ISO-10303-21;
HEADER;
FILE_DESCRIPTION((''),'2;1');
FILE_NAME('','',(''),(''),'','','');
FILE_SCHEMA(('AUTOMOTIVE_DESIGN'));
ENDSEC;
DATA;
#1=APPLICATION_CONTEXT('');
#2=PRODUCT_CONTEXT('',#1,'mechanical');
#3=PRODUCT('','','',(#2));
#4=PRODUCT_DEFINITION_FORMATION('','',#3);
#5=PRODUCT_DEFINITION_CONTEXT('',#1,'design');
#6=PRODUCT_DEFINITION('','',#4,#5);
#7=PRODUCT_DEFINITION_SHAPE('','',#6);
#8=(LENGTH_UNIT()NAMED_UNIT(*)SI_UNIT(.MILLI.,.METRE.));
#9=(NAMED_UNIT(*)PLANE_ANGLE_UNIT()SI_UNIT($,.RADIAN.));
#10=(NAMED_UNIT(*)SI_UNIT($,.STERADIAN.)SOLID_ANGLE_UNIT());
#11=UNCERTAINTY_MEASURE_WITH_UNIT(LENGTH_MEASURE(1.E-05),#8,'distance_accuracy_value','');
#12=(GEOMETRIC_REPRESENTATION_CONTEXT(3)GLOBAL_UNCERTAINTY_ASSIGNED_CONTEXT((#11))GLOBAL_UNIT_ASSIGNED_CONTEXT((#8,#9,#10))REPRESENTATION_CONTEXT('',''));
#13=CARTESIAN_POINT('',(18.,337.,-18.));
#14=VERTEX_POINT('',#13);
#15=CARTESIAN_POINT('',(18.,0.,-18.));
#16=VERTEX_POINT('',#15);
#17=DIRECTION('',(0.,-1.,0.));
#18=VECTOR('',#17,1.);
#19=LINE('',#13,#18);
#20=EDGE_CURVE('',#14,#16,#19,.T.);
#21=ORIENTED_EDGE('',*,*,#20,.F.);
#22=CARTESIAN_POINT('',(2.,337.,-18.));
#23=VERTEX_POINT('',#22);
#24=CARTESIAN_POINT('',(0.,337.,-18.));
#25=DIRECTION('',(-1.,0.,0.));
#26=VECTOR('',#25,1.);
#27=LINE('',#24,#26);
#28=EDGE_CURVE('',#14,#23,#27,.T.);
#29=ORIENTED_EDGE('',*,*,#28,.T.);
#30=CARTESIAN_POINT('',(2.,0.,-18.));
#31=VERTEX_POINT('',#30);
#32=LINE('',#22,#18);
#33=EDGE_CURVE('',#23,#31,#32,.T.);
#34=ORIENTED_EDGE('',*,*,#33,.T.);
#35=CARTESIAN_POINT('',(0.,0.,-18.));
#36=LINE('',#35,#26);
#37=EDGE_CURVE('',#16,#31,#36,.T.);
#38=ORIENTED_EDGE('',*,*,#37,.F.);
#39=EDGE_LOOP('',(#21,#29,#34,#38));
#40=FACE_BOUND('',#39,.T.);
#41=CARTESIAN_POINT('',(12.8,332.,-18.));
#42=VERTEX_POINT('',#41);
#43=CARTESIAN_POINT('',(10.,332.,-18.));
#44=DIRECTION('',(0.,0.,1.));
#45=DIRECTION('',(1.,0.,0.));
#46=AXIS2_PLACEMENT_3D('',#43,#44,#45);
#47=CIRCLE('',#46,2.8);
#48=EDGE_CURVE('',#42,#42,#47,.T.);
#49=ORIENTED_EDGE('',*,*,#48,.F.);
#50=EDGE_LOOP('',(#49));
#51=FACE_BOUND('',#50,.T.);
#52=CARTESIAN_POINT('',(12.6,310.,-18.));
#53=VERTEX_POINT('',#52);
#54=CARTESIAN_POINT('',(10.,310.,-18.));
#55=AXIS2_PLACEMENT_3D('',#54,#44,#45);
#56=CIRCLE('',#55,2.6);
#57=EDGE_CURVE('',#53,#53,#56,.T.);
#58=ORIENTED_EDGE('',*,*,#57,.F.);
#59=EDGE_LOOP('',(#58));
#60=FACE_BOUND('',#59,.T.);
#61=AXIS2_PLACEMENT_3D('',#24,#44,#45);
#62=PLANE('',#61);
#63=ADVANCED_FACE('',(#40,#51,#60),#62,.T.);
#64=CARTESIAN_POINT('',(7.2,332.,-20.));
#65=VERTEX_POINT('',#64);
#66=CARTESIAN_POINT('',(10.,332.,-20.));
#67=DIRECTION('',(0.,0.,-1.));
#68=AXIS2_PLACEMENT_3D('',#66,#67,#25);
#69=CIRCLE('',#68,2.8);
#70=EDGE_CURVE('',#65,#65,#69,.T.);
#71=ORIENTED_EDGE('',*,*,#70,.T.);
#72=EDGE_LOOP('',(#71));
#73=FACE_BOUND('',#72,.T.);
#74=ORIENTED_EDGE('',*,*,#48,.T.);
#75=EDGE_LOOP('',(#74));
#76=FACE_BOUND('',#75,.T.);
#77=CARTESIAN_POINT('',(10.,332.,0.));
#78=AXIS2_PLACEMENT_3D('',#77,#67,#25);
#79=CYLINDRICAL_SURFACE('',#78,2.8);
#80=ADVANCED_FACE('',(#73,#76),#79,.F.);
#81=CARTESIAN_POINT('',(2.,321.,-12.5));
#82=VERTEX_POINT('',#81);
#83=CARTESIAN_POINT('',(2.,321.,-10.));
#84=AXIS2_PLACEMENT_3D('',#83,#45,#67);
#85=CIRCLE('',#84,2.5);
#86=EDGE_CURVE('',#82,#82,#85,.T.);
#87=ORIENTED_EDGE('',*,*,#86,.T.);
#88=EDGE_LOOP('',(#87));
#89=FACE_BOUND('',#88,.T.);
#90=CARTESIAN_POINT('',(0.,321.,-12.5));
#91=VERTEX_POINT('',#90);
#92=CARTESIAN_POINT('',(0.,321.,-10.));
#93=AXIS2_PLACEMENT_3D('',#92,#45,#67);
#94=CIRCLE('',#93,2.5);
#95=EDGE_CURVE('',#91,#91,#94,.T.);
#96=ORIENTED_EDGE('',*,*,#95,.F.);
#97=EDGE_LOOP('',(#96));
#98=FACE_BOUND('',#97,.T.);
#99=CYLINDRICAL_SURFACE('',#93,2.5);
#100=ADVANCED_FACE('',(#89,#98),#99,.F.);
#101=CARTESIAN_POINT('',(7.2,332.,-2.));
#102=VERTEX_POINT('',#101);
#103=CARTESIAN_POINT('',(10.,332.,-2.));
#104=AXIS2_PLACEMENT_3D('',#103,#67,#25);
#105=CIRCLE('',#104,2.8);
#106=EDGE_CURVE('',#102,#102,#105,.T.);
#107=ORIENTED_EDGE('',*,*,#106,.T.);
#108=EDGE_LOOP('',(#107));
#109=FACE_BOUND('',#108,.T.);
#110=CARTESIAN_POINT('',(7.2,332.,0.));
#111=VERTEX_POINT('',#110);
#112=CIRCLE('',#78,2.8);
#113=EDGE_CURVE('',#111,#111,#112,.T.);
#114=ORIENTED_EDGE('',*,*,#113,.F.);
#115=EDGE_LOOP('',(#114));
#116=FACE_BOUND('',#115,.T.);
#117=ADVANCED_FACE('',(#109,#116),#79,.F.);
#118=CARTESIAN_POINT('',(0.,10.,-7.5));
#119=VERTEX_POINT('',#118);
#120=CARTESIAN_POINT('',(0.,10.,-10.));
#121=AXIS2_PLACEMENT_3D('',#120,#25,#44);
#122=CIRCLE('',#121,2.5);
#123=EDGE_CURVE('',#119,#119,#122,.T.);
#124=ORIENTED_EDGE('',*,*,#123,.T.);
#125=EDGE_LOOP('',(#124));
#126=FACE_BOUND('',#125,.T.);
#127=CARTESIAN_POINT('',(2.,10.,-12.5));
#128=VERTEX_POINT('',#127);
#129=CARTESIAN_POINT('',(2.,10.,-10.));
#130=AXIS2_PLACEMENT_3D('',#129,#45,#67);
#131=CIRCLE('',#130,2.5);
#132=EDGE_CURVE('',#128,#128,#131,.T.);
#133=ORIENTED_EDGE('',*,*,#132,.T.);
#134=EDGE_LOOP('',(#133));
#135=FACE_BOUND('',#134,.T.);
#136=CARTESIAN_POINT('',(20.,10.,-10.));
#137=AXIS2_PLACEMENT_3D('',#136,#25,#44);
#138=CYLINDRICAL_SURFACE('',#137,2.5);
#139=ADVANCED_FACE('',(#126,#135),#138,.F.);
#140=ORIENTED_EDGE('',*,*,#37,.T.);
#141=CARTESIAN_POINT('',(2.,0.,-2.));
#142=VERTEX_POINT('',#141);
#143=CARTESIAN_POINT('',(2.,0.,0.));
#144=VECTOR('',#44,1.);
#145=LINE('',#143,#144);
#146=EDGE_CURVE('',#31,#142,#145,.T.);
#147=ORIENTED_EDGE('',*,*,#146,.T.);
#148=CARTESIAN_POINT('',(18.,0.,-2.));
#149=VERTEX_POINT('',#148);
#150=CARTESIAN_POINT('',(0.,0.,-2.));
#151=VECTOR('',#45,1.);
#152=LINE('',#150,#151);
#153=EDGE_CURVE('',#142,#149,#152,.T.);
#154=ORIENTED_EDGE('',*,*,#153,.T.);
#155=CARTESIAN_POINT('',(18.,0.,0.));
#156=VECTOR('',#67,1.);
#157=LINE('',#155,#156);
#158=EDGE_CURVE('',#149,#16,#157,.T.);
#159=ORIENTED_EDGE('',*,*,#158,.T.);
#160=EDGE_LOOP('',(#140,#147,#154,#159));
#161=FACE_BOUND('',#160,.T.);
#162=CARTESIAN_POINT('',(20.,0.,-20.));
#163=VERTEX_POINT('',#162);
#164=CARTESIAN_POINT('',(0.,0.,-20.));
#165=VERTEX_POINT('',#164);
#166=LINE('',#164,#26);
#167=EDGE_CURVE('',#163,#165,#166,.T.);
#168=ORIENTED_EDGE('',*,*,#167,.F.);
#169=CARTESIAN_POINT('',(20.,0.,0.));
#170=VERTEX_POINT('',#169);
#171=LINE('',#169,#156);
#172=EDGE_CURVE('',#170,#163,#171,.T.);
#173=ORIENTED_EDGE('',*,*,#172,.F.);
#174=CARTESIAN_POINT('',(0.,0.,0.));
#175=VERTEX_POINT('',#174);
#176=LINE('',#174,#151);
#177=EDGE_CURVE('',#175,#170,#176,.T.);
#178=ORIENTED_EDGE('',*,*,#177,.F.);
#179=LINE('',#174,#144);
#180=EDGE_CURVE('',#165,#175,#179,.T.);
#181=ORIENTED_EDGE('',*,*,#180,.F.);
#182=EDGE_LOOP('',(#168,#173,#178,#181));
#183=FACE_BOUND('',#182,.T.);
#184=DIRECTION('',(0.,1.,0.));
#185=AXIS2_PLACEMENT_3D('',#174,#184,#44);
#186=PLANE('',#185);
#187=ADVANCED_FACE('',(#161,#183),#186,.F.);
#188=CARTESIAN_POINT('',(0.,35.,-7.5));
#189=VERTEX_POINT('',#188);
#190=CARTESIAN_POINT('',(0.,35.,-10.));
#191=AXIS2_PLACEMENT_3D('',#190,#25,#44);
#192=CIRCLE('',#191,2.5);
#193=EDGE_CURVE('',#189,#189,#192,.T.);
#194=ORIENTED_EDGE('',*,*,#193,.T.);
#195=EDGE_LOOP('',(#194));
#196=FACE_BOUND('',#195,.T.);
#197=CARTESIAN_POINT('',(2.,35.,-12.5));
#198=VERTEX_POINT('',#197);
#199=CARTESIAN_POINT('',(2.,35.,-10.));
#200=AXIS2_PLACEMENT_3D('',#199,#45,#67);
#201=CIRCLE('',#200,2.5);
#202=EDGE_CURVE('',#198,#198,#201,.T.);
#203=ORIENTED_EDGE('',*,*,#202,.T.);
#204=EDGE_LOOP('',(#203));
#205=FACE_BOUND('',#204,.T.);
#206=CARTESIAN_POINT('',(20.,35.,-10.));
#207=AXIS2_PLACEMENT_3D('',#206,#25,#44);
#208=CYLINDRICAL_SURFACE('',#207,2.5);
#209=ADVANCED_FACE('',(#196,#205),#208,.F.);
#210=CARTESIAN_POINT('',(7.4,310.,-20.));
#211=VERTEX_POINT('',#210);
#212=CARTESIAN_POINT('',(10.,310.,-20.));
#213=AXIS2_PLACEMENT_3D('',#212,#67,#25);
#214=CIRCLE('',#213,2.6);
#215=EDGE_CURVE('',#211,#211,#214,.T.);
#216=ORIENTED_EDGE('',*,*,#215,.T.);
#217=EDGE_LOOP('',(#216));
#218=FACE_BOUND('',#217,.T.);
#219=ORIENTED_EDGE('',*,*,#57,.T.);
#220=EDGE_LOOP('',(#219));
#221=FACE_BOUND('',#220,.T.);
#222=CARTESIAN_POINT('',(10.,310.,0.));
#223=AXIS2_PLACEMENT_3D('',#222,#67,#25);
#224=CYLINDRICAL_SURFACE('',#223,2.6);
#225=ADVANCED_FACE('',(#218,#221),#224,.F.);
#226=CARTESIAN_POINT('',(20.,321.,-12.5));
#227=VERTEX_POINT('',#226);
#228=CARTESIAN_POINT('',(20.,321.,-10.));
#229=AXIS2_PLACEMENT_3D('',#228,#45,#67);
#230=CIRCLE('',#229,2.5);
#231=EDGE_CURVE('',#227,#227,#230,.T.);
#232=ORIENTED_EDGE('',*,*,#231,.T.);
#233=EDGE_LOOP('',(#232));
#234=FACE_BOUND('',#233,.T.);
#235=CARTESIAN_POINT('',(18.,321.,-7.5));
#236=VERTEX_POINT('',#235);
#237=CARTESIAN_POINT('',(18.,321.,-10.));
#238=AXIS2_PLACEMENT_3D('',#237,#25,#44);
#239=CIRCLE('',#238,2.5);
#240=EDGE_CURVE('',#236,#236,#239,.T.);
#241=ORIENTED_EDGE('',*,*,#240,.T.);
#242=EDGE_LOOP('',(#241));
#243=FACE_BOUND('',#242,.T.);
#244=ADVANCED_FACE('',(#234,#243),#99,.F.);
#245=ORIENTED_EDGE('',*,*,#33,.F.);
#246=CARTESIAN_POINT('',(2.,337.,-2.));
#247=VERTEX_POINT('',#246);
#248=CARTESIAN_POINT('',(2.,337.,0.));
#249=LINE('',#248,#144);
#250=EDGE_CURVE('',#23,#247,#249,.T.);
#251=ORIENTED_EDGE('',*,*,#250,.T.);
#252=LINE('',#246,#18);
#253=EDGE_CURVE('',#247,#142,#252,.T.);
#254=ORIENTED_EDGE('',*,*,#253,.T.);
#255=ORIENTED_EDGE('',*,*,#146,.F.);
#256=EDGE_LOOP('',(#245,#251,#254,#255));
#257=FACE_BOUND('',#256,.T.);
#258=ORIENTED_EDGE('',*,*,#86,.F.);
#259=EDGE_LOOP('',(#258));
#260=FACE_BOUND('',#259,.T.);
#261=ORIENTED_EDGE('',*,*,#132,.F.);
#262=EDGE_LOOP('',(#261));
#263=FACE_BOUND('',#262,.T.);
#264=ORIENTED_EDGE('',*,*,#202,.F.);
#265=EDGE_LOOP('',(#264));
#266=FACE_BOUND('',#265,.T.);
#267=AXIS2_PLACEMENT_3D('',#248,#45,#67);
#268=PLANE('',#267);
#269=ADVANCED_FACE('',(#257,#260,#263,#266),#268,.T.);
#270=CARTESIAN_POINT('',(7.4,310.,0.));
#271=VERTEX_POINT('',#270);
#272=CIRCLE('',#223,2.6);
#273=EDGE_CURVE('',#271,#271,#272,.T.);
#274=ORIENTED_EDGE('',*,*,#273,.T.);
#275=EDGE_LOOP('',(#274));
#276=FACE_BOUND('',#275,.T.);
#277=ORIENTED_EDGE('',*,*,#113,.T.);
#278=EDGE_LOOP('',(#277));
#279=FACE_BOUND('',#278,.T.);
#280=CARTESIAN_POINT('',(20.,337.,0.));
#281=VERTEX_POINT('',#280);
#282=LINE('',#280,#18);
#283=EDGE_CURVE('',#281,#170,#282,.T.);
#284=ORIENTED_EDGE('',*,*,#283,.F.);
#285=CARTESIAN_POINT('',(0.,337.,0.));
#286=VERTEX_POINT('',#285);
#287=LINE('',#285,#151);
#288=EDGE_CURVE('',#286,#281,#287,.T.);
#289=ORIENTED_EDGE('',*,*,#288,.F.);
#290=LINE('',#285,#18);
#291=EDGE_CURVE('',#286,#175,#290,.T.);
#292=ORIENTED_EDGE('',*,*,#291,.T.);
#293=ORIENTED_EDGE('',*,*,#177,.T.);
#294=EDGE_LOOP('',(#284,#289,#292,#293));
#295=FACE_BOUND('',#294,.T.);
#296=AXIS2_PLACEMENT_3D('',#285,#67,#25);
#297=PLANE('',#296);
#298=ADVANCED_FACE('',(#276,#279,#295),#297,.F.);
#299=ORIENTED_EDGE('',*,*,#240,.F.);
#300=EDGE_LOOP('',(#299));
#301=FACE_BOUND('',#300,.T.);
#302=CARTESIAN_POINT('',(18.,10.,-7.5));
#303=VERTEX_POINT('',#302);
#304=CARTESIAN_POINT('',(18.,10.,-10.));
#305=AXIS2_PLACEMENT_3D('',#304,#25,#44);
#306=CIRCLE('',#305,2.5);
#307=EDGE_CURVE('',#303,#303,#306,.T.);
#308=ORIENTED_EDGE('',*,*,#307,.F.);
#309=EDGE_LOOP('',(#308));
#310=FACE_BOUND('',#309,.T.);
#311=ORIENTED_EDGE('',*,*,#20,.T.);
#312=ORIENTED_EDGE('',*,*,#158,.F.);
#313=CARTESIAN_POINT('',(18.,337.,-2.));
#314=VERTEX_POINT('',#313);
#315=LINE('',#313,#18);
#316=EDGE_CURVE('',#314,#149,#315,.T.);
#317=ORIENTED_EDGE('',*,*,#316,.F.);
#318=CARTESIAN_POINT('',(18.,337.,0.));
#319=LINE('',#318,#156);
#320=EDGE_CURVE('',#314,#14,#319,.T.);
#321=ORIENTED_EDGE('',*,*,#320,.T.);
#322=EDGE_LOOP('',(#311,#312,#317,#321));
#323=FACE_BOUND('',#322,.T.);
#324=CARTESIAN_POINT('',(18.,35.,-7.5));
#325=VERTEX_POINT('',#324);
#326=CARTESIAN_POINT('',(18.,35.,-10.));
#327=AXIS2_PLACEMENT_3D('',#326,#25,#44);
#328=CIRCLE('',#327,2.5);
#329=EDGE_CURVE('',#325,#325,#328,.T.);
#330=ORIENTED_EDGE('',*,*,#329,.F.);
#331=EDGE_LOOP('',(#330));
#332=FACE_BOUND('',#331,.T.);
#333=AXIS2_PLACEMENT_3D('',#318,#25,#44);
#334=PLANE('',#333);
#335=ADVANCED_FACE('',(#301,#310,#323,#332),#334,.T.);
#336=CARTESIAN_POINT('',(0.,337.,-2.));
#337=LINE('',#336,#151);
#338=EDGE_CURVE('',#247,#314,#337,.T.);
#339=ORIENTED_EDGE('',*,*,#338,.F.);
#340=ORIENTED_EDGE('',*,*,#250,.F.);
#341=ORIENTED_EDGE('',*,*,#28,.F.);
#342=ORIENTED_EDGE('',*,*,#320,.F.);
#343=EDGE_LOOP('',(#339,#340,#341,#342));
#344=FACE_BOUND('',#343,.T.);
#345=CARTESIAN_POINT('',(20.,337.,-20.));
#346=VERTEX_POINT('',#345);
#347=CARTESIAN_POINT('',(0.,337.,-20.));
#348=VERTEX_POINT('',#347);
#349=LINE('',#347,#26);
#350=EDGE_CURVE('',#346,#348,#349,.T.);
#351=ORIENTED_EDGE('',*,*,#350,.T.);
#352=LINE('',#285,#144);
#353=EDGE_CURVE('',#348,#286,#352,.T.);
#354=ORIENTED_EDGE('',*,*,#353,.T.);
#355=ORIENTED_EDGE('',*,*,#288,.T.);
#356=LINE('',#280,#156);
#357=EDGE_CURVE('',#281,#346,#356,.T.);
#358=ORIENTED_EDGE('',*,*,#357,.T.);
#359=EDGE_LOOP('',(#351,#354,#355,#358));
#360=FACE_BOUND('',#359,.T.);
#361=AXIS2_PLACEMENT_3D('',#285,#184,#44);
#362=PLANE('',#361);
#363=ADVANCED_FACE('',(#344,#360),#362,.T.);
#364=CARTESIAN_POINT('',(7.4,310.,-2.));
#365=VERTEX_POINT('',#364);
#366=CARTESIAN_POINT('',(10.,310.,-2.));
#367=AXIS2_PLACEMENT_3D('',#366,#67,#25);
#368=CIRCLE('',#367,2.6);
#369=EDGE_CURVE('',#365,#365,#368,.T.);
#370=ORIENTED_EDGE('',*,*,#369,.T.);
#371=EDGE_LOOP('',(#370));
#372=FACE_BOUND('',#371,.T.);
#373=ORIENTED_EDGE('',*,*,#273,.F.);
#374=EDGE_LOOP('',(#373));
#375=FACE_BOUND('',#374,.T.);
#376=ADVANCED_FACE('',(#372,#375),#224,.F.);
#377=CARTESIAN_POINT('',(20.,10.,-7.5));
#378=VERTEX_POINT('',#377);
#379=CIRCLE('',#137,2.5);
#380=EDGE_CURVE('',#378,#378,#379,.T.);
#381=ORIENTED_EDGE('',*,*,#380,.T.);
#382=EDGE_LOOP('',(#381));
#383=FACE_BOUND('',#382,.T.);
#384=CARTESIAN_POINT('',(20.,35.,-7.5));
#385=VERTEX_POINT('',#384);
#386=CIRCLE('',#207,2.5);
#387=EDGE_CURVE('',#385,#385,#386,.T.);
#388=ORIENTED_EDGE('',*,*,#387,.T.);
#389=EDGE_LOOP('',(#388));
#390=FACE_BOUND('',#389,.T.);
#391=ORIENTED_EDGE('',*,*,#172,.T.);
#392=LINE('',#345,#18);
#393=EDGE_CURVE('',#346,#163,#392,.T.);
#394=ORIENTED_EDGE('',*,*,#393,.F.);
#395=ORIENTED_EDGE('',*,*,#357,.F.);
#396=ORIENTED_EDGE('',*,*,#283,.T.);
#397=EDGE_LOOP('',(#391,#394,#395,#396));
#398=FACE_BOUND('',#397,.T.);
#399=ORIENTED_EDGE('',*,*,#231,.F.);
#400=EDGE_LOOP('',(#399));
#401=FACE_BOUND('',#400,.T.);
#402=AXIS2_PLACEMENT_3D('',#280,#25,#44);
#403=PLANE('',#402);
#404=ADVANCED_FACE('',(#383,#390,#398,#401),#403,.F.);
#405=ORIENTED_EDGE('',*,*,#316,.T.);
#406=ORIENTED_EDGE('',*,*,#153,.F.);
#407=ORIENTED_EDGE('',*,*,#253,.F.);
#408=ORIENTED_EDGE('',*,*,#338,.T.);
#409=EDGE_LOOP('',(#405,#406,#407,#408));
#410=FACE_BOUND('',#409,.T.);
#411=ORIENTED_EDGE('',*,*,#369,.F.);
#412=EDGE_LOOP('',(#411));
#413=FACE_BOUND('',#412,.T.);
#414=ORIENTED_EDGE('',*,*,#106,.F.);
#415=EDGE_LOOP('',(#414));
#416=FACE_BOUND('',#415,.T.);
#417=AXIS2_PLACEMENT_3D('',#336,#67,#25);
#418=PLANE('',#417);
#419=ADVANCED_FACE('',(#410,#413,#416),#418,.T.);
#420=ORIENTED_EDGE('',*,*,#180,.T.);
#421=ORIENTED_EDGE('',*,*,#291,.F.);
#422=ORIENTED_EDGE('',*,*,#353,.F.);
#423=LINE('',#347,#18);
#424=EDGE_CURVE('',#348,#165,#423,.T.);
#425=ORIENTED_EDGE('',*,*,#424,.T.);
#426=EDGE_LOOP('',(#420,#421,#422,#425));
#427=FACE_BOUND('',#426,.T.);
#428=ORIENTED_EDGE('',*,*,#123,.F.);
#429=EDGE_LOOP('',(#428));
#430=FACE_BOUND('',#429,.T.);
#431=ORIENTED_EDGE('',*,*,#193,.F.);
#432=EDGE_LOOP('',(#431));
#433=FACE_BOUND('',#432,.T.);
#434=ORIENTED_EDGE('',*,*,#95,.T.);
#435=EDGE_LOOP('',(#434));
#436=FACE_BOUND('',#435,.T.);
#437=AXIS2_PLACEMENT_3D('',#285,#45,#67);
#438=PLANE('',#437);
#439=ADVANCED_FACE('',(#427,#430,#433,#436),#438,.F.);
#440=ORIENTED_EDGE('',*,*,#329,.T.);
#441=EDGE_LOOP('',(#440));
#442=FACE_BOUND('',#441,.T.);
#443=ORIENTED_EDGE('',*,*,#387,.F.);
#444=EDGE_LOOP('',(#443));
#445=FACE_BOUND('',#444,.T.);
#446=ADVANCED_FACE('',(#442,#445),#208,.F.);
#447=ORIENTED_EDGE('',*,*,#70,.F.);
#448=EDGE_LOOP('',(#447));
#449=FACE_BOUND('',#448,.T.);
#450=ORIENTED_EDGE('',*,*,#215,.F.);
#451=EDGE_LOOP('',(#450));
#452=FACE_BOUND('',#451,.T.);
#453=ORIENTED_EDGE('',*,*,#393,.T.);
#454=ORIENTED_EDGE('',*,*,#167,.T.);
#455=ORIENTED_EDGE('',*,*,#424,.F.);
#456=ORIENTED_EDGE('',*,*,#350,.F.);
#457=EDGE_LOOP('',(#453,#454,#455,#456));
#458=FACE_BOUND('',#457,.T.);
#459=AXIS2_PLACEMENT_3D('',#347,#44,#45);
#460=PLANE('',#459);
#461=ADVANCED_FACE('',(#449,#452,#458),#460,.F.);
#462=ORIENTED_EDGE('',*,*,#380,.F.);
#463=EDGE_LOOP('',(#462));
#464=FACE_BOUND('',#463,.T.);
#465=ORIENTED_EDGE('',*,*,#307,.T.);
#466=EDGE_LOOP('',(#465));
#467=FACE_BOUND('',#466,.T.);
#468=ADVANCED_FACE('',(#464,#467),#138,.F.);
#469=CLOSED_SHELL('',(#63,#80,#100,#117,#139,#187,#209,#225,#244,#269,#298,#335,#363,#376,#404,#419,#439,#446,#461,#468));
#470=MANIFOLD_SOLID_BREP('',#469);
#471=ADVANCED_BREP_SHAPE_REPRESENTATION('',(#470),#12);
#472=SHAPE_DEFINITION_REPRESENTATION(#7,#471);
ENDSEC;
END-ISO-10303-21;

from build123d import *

# Parameters (mm, degrees)
ESBO_O1_W             = 20
ESBO_O1_H             = 20
ESBO_O1_W_2           = 16
ESBO_O1_H_2           = 16
EXTRUS_O_FINA1_DEPTH  = 337
ESBO_O2_R             = 2.5
CORTE_EXTRUS_O1_DEPTH = 339.18486069
ESBO_O3_R             = 2.6
ESBO_O3_R_2           = 2.8
CORTE_EXTRUS_O2_DEPTH = 339.18486069
ESBO_O4_R             = 2.5
CORTE_EXTRUS_O3_DEPTH = 339.18486069


with BuildPart() as part:
    # Esboço1 → Extrusão-Fina1 (new body)
    with BuildSketch(Plane(origin=(0, 0, 0), x_dir=(1, 0, 0), z_dir=(0, 1, 0))):
        with Locations((10, 10)):
            Rectangle(ESBO_O1_W, ESBO_O1_H)
        with Locations((10, 10)):
            Rectangle(ESBO_O1_W_2, ESBO_O1_H_2, mode=Mode.SUBTRACT)
    extrude(amount=EXTRUS_O_FINA1_DEPTH)

    # Esboço2 → Corte-extrusão1 (cut, through all)
    with BuildSketch(Plane.ZY):
        with Locations((-10, 35)):
            Circle(ESBO_O2_R)
        with Locations((-10, 10)):
            Circle(ESBO_O2_R)
    extrude(amount=-CORTE_EXTRUS_O1_DEPTH, mode=Mode.SUBTRACT)

    # Esboço3 → Corte-extrusão2 (cut, through all)
    with BuildSketch(Plane(origin=(0, 0, -20), x_dir=(-1, 0, 0), z_dir=(0, 0, -1))):
        with Locations((-10, 310)):
            Circle(ESBO_O3_R)
        with Locations((-10, 332)):
            Circle(ESBO_O3_R_2)
    extrude(amount=-CORTE_EXTRUS_O2_DEPTH, mode=Mode.SUBTRACT)

    # Esboço4 → Corte-extrusão3 (cut, through all)
    with BuildSketch(Plane(origin=(20, 0, 0), x_dir=(0, 0, -1), z_dir=(1, 0, 0))):
        with Locations((10, 321)):
            Circle(ESBO_O4_R)
    extrude(amount=-CORTE_EXTRUS_O3_DEPTH, mode=Mode.SUBTRACT)


solid = part.part
